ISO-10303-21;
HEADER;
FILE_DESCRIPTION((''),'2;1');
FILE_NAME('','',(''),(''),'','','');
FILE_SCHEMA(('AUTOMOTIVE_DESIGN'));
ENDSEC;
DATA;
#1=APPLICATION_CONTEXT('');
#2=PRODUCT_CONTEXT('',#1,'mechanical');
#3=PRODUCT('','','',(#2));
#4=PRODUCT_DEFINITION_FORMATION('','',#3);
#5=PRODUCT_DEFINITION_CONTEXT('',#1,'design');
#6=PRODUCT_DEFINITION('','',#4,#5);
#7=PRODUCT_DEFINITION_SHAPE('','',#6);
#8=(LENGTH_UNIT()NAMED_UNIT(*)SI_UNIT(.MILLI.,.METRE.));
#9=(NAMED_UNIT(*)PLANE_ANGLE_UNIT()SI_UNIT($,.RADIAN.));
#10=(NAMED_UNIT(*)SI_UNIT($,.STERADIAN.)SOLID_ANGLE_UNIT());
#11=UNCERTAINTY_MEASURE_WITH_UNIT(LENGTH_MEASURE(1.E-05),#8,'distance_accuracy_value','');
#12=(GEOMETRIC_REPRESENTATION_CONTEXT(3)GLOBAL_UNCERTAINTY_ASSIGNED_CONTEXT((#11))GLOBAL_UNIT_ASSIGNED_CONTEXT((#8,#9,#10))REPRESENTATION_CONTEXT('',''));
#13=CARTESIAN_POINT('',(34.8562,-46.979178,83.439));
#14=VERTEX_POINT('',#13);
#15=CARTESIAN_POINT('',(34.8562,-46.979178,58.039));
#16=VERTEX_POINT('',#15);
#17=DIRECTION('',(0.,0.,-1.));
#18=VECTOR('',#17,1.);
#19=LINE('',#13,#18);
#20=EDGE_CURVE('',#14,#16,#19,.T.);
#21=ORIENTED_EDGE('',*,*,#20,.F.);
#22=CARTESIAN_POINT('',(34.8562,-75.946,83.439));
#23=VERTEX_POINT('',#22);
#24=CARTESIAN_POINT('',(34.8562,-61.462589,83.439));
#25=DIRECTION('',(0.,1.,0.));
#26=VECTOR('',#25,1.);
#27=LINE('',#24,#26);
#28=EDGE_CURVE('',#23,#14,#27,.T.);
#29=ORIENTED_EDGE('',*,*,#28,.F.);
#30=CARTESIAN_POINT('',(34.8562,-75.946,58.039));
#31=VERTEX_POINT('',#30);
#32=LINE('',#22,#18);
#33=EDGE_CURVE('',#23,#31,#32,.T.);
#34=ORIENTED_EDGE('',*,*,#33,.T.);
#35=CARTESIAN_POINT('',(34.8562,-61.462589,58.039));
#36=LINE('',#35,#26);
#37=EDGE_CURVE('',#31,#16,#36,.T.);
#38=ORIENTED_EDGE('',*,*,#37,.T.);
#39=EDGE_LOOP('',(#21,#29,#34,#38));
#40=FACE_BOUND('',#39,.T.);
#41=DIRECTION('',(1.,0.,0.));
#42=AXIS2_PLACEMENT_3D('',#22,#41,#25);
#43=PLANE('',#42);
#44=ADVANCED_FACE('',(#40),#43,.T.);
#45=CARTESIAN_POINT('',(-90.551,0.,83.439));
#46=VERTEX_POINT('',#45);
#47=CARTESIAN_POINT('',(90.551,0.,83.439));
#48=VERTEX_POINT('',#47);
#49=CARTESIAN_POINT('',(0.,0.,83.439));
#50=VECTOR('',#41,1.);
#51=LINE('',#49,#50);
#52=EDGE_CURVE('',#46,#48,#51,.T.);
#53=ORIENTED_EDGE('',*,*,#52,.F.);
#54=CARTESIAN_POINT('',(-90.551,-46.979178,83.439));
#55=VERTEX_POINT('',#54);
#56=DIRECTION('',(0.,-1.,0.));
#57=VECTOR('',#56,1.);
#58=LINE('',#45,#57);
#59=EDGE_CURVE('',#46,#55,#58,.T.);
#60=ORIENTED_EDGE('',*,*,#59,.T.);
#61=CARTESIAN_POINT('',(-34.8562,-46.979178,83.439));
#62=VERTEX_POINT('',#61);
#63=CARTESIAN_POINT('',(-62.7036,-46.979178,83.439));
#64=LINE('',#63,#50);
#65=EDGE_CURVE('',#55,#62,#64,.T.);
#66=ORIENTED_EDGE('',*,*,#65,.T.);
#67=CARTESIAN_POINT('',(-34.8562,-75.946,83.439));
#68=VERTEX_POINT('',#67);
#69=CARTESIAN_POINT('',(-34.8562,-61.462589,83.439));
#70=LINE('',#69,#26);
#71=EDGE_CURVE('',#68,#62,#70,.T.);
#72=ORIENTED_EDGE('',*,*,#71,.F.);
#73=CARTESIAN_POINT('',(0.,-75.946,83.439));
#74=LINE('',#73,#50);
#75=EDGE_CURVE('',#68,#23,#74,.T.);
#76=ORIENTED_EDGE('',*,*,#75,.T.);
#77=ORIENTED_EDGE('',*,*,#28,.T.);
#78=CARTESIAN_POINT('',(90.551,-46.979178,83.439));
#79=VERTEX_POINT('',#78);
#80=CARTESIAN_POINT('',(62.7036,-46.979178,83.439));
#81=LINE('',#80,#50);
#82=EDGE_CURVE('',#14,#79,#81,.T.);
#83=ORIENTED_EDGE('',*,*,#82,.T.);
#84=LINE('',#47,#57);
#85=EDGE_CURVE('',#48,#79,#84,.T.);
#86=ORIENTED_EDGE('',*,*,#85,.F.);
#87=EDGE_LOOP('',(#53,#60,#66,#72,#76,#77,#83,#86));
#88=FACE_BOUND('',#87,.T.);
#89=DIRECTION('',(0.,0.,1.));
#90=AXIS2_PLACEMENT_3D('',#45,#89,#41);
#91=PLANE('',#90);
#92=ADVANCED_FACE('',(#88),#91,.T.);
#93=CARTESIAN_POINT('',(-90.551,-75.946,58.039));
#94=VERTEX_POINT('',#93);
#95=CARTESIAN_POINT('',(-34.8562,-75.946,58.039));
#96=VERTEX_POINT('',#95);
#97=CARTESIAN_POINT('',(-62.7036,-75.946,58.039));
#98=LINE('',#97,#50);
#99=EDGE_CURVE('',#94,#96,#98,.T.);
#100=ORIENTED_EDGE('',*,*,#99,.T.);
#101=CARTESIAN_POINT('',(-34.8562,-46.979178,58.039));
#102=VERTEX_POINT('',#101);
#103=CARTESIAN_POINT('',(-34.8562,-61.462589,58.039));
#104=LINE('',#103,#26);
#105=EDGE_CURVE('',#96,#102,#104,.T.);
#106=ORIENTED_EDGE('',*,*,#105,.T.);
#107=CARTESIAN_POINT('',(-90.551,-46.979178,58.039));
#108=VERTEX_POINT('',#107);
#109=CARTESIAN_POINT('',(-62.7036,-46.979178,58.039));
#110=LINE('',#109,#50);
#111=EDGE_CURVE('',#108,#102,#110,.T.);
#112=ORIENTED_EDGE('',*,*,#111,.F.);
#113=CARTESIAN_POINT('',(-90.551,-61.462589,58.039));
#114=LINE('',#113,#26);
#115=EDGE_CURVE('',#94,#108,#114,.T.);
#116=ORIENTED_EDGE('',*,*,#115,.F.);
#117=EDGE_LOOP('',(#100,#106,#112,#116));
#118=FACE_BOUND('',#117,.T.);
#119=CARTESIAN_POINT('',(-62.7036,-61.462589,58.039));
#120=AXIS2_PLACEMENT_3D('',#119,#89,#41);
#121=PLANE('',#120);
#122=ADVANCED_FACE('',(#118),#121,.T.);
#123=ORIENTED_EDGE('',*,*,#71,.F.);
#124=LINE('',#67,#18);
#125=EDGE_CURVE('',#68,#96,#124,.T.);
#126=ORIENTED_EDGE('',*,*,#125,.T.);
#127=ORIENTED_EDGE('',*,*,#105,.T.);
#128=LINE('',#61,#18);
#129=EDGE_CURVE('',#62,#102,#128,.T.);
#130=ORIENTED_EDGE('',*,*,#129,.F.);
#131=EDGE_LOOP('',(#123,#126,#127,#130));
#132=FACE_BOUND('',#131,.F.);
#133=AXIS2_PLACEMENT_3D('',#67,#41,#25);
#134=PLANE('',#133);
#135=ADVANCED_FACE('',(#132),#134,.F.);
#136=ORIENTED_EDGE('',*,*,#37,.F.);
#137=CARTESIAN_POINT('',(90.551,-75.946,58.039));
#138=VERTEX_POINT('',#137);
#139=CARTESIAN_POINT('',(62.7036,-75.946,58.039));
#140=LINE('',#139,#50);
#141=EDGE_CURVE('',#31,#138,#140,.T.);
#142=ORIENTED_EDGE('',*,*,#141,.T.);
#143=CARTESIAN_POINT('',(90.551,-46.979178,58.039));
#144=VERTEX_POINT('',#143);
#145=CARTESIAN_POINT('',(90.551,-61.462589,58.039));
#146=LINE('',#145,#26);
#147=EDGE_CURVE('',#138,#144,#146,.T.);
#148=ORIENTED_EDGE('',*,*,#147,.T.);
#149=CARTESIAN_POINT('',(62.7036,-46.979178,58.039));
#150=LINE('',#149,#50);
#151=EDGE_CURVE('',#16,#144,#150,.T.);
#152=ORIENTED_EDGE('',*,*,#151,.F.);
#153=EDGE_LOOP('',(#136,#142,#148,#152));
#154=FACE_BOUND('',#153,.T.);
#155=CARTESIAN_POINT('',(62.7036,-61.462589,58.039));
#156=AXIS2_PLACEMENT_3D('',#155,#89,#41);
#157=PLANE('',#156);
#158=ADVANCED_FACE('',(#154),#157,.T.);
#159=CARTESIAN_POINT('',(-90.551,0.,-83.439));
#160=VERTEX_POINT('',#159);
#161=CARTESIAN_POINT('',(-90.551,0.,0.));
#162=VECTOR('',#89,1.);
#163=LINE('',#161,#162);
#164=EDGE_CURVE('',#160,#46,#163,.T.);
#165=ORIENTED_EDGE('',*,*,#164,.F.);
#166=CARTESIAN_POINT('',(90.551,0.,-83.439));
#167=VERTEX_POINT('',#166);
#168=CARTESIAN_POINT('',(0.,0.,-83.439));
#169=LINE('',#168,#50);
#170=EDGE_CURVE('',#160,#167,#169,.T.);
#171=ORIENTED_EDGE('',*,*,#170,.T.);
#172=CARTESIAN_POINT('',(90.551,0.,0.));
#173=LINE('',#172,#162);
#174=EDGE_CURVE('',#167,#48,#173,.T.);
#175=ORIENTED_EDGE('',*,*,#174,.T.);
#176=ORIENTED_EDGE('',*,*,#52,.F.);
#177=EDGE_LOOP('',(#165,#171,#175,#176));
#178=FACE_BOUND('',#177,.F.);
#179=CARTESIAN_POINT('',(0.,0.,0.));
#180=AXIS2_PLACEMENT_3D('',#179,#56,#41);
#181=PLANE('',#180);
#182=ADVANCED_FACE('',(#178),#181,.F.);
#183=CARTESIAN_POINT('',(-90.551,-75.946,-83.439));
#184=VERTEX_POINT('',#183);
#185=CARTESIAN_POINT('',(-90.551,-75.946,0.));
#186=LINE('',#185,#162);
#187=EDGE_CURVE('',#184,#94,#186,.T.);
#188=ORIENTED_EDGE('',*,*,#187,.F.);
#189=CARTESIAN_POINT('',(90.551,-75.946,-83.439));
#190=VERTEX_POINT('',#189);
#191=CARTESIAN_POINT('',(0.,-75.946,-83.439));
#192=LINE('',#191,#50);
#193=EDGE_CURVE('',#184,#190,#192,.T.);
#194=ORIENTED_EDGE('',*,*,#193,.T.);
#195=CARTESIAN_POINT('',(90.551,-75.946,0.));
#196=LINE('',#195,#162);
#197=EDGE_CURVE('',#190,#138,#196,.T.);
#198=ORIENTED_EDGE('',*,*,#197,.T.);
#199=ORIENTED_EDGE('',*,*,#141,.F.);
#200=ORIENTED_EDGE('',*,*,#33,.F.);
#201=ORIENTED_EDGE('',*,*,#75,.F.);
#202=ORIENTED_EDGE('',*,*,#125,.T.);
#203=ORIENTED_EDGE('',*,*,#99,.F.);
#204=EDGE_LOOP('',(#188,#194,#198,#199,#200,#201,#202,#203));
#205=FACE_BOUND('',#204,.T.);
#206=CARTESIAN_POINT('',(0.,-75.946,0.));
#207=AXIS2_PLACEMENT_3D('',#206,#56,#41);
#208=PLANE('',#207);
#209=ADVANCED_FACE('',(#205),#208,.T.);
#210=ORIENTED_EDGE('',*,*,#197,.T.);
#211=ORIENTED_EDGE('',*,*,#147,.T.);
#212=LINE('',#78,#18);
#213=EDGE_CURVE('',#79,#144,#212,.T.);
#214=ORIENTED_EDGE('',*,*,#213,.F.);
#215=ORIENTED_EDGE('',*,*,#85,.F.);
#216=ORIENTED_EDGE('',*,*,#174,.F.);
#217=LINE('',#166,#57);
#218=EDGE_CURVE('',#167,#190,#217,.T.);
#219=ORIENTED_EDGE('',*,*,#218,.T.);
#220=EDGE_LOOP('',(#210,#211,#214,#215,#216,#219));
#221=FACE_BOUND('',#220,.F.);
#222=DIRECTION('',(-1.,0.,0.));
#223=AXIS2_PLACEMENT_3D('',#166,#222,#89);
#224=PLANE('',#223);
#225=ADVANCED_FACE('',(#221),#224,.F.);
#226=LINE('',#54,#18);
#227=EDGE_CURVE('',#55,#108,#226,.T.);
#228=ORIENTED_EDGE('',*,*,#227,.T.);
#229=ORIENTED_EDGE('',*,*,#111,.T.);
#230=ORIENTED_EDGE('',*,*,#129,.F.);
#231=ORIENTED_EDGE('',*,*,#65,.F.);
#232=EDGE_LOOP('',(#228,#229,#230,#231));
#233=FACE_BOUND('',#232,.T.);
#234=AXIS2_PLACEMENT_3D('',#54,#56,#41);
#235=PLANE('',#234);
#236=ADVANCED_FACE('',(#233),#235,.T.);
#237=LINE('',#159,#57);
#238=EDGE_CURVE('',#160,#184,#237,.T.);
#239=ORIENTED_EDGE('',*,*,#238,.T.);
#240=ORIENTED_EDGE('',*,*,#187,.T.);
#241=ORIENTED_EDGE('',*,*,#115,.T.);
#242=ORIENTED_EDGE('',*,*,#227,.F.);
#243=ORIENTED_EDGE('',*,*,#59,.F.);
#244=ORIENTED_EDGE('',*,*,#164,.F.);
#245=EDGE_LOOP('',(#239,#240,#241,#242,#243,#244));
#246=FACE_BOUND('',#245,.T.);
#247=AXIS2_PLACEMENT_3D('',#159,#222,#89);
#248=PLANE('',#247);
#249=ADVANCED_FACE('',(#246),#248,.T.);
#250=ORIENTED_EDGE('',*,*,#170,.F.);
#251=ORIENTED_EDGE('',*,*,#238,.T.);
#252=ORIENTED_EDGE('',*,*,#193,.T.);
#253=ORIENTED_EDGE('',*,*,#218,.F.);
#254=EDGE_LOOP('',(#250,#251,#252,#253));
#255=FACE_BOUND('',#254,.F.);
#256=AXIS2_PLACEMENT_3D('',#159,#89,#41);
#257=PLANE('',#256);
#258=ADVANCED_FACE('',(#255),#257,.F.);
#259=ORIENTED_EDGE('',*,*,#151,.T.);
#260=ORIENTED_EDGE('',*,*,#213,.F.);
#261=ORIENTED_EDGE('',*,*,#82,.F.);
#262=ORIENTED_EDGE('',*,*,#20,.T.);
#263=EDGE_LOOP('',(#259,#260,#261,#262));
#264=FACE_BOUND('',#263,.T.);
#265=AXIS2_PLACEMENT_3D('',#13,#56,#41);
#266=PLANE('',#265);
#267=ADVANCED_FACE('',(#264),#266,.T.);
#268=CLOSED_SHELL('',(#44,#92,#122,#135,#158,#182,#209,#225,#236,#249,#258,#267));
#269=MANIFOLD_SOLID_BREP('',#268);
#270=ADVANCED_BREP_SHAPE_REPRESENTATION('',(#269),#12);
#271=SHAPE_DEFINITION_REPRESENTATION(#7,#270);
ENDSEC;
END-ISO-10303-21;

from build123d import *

# Parameters (mm, degrees)
F0_W     = 181.102
F0_H     = 166.878
F1_DEPTH = 75.946
F2_W     = 55.6948
F2_H     = 28.966822
F3_DEPTH = 25.4


with BuildPart() as f1:
    # F0 (on Front) → F1 (new body)
    with BuildSketch(Plane.XZ):
        Rectangle(F0_W, F0_H)
    extrude(amount=F1_DEPTH)

    # F2 (on face) → F3 (cut)
    with BuildSketch(Plane.XY.offset(83.439)):
        with Locations((-62.7036, -61.462589)):
            Rectangle(F2_W, F2_H)
        with Locations((62.7036, -61.462589)):
            Rectangle(F2_W, F2_H)
    extrude(amount=-F3_DEPTH, mode=Mode.SUBTRACT)


solid = f1.part
